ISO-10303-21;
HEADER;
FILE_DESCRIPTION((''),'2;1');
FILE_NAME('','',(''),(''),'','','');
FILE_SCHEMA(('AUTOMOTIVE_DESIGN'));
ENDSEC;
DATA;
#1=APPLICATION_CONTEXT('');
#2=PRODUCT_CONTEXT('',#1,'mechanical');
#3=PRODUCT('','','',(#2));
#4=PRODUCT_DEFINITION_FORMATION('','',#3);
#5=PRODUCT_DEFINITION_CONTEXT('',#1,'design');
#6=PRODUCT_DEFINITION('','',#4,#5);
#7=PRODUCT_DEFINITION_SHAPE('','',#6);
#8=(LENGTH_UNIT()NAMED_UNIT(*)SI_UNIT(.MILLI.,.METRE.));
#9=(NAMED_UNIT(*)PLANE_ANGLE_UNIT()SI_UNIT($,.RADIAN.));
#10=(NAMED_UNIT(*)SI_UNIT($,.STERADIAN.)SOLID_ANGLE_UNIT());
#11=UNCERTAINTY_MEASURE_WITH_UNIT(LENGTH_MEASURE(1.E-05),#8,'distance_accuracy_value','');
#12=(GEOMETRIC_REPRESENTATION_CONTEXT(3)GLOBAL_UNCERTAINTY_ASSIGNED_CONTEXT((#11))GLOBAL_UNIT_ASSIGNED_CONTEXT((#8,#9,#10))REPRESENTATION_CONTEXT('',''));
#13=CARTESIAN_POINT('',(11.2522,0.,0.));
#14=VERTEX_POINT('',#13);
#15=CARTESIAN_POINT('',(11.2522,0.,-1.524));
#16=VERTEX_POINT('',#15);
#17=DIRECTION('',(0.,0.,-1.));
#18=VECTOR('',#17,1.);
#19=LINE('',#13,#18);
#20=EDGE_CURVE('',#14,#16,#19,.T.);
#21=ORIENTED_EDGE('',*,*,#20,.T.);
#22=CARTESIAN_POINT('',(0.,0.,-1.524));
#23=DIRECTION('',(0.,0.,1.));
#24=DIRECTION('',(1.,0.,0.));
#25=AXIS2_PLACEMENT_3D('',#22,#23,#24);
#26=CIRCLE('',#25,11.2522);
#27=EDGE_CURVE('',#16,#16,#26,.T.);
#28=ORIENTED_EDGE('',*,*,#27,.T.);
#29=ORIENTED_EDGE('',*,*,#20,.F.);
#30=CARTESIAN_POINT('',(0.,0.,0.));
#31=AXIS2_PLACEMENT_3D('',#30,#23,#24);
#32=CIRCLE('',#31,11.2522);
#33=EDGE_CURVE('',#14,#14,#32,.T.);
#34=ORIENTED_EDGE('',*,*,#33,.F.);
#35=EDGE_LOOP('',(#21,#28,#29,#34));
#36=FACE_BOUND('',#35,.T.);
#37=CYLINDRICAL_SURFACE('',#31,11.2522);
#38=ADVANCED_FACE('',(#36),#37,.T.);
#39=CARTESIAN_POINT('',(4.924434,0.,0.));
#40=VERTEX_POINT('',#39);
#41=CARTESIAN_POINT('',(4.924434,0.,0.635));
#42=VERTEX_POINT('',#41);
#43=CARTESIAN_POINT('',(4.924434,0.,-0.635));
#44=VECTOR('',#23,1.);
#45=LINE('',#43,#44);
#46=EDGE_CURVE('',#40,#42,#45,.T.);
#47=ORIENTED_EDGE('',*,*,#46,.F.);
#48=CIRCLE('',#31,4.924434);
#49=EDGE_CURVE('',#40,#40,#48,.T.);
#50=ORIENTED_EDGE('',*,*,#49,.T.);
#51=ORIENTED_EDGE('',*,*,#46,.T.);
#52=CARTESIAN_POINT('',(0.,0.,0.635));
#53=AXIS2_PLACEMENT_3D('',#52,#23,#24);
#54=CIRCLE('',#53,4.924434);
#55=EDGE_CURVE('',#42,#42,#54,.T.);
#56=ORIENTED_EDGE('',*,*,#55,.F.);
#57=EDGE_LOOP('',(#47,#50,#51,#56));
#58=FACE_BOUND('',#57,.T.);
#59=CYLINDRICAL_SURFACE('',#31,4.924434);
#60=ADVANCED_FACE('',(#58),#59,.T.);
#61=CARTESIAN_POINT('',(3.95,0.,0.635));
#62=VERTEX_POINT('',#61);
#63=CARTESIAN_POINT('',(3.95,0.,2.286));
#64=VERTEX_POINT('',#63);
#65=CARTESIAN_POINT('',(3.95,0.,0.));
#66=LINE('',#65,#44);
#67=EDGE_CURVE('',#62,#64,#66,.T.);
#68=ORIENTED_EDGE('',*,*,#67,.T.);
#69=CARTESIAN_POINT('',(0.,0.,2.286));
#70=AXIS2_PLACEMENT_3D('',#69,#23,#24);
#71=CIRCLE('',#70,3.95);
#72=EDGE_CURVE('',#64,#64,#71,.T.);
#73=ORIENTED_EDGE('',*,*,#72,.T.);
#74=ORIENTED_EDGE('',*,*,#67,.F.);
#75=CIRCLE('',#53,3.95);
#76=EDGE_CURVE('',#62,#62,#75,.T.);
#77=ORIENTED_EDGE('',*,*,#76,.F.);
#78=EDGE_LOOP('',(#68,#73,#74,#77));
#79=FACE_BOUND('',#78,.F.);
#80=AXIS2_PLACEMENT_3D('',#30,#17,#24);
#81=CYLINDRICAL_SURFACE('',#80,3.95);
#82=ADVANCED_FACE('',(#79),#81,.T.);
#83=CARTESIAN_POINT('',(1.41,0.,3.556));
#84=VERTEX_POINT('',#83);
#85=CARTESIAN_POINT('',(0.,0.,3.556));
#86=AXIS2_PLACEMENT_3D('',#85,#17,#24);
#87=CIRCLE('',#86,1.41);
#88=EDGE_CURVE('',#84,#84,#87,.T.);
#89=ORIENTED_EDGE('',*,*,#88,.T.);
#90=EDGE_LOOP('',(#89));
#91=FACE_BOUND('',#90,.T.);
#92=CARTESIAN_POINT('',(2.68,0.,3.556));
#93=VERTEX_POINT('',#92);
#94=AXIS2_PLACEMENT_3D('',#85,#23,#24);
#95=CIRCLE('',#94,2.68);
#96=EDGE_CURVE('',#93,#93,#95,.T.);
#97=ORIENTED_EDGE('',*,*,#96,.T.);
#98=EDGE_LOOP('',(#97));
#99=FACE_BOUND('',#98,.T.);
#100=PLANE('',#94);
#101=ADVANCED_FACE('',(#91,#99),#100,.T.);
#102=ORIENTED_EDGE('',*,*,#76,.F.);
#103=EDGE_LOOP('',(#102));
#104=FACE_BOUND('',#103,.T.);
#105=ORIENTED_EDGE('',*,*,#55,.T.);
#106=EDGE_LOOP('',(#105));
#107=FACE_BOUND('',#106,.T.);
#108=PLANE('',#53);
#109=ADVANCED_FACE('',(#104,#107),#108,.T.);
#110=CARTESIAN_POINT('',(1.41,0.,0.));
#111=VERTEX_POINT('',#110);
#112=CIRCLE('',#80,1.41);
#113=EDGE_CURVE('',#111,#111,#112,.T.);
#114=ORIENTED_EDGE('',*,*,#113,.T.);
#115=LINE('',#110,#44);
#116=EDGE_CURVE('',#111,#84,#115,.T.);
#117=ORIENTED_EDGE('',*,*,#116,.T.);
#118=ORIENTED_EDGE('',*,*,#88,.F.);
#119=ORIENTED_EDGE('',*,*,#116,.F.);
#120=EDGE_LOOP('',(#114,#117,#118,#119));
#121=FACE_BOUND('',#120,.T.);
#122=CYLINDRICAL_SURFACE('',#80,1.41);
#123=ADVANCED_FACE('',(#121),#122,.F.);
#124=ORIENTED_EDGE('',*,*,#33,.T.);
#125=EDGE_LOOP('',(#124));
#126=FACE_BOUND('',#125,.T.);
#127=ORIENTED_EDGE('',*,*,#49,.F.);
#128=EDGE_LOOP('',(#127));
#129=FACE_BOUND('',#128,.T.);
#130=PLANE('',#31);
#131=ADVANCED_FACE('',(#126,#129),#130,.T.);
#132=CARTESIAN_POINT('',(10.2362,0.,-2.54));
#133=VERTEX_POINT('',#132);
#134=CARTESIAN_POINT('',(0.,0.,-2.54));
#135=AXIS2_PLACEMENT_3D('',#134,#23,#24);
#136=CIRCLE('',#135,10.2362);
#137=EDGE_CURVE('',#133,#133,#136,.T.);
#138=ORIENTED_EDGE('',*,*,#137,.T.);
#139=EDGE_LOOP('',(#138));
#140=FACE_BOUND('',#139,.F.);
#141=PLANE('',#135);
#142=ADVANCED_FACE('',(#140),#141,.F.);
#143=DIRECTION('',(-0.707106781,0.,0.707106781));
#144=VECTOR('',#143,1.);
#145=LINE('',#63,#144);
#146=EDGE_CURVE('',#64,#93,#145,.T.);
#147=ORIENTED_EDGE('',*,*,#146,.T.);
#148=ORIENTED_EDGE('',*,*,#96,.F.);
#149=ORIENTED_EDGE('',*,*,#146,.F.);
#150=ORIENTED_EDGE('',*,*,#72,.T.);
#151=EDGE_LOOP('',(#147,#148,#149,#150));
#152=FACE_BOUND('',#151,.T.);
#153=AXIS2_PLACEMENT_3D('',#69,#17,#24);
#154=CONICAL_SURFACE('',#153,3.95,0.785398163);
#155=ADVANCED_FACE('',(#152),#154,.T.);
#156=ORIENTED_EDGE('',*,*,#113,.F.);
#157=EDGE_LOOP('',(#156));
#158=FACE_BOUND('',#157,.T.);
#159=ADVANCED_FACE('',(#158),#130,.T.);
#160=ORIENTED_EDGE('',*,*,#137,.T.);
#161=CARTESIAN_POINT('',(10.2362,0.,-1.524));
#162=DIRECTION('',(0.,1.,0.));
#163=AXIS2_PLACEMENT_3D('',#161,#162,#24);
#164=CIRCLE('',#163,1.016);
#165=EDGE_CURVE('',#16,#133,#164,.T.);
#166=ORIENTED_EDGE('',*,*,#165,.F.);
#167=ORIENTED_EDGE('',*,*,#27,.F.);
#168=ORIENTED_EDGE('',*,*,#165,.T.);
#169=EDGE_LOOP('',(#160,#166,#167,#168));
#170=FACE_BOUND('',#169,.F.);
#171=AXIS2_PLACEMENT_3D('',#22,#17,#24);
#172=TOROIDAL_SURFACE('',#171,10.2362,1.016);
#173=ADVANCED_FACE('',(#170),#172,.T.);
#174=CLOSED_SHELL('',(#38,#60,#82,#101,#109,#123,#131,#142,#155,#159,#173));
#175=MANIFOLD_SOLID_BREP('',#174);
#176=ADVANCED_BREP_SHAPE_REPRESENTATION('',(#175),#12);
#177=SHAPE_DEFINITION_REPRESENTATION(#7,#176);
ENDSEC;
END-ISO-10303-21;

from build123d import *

# Parameters (mm, degrees)
F0_R     = 3.95
F1_DEPTH = 3.556
F0_R_2   = 11.2522
F2_DEPTH = 2.54
F3_R     = 1.016
F4_R     = 4.9244336153
F4_R_2   = 3.95
F5_DEPTH = 0.635
F6_T     = -2.54
F7_SIZE  = 1.27


with BuildPart() as f1:
    # F0 (on Top) → F1 (new body)
    with BuildSketch(Plane.XY):
        Circle(F0_R)
    extrude(amount=F1_DEPTH)

    # F0 (on Top) → F2 (join)
    with BuildSketch(Plane.XY):
        Circle(F0_R_2)
        Circle(F0_R, mode=Mode.SUBTRACT)
        Circle(F0_R)
    extrude(amount=-F2_DEPTH)

    # F3
    f3_edges = [f1.edges().sort_by_distance(p)[0] for p in [
        (-11.2522, 0, -2.54),
    ]]
    fillet(f3_edges, radius=F3_R)

    # F4 (on face) → F5 (join, symmetric)
    with BuildSketch(Plane.XY):
        Circle(F4_R)
        Circle(F4_R_2, mode=Mode.SUBTRACT)
    extrude(amount=F5_DEPTH, both=True)

    # F6
    f6_openings = [f1.faces().sort_by_distance(p)[0] for p in [
        (0, 0, 3.556),
    ]]
    offset(amount=F6_T, openings=f6_openings, kind=Kind.INTERSECTION)

    # F7
    f7_edges = [f1.edges().sort_by_distance(p)[0] for p in [
        (-3.95, 0, 3.556),
    ]]
    chamfer(f7_edges, length=F7_SIZE)


solid = f1.part
